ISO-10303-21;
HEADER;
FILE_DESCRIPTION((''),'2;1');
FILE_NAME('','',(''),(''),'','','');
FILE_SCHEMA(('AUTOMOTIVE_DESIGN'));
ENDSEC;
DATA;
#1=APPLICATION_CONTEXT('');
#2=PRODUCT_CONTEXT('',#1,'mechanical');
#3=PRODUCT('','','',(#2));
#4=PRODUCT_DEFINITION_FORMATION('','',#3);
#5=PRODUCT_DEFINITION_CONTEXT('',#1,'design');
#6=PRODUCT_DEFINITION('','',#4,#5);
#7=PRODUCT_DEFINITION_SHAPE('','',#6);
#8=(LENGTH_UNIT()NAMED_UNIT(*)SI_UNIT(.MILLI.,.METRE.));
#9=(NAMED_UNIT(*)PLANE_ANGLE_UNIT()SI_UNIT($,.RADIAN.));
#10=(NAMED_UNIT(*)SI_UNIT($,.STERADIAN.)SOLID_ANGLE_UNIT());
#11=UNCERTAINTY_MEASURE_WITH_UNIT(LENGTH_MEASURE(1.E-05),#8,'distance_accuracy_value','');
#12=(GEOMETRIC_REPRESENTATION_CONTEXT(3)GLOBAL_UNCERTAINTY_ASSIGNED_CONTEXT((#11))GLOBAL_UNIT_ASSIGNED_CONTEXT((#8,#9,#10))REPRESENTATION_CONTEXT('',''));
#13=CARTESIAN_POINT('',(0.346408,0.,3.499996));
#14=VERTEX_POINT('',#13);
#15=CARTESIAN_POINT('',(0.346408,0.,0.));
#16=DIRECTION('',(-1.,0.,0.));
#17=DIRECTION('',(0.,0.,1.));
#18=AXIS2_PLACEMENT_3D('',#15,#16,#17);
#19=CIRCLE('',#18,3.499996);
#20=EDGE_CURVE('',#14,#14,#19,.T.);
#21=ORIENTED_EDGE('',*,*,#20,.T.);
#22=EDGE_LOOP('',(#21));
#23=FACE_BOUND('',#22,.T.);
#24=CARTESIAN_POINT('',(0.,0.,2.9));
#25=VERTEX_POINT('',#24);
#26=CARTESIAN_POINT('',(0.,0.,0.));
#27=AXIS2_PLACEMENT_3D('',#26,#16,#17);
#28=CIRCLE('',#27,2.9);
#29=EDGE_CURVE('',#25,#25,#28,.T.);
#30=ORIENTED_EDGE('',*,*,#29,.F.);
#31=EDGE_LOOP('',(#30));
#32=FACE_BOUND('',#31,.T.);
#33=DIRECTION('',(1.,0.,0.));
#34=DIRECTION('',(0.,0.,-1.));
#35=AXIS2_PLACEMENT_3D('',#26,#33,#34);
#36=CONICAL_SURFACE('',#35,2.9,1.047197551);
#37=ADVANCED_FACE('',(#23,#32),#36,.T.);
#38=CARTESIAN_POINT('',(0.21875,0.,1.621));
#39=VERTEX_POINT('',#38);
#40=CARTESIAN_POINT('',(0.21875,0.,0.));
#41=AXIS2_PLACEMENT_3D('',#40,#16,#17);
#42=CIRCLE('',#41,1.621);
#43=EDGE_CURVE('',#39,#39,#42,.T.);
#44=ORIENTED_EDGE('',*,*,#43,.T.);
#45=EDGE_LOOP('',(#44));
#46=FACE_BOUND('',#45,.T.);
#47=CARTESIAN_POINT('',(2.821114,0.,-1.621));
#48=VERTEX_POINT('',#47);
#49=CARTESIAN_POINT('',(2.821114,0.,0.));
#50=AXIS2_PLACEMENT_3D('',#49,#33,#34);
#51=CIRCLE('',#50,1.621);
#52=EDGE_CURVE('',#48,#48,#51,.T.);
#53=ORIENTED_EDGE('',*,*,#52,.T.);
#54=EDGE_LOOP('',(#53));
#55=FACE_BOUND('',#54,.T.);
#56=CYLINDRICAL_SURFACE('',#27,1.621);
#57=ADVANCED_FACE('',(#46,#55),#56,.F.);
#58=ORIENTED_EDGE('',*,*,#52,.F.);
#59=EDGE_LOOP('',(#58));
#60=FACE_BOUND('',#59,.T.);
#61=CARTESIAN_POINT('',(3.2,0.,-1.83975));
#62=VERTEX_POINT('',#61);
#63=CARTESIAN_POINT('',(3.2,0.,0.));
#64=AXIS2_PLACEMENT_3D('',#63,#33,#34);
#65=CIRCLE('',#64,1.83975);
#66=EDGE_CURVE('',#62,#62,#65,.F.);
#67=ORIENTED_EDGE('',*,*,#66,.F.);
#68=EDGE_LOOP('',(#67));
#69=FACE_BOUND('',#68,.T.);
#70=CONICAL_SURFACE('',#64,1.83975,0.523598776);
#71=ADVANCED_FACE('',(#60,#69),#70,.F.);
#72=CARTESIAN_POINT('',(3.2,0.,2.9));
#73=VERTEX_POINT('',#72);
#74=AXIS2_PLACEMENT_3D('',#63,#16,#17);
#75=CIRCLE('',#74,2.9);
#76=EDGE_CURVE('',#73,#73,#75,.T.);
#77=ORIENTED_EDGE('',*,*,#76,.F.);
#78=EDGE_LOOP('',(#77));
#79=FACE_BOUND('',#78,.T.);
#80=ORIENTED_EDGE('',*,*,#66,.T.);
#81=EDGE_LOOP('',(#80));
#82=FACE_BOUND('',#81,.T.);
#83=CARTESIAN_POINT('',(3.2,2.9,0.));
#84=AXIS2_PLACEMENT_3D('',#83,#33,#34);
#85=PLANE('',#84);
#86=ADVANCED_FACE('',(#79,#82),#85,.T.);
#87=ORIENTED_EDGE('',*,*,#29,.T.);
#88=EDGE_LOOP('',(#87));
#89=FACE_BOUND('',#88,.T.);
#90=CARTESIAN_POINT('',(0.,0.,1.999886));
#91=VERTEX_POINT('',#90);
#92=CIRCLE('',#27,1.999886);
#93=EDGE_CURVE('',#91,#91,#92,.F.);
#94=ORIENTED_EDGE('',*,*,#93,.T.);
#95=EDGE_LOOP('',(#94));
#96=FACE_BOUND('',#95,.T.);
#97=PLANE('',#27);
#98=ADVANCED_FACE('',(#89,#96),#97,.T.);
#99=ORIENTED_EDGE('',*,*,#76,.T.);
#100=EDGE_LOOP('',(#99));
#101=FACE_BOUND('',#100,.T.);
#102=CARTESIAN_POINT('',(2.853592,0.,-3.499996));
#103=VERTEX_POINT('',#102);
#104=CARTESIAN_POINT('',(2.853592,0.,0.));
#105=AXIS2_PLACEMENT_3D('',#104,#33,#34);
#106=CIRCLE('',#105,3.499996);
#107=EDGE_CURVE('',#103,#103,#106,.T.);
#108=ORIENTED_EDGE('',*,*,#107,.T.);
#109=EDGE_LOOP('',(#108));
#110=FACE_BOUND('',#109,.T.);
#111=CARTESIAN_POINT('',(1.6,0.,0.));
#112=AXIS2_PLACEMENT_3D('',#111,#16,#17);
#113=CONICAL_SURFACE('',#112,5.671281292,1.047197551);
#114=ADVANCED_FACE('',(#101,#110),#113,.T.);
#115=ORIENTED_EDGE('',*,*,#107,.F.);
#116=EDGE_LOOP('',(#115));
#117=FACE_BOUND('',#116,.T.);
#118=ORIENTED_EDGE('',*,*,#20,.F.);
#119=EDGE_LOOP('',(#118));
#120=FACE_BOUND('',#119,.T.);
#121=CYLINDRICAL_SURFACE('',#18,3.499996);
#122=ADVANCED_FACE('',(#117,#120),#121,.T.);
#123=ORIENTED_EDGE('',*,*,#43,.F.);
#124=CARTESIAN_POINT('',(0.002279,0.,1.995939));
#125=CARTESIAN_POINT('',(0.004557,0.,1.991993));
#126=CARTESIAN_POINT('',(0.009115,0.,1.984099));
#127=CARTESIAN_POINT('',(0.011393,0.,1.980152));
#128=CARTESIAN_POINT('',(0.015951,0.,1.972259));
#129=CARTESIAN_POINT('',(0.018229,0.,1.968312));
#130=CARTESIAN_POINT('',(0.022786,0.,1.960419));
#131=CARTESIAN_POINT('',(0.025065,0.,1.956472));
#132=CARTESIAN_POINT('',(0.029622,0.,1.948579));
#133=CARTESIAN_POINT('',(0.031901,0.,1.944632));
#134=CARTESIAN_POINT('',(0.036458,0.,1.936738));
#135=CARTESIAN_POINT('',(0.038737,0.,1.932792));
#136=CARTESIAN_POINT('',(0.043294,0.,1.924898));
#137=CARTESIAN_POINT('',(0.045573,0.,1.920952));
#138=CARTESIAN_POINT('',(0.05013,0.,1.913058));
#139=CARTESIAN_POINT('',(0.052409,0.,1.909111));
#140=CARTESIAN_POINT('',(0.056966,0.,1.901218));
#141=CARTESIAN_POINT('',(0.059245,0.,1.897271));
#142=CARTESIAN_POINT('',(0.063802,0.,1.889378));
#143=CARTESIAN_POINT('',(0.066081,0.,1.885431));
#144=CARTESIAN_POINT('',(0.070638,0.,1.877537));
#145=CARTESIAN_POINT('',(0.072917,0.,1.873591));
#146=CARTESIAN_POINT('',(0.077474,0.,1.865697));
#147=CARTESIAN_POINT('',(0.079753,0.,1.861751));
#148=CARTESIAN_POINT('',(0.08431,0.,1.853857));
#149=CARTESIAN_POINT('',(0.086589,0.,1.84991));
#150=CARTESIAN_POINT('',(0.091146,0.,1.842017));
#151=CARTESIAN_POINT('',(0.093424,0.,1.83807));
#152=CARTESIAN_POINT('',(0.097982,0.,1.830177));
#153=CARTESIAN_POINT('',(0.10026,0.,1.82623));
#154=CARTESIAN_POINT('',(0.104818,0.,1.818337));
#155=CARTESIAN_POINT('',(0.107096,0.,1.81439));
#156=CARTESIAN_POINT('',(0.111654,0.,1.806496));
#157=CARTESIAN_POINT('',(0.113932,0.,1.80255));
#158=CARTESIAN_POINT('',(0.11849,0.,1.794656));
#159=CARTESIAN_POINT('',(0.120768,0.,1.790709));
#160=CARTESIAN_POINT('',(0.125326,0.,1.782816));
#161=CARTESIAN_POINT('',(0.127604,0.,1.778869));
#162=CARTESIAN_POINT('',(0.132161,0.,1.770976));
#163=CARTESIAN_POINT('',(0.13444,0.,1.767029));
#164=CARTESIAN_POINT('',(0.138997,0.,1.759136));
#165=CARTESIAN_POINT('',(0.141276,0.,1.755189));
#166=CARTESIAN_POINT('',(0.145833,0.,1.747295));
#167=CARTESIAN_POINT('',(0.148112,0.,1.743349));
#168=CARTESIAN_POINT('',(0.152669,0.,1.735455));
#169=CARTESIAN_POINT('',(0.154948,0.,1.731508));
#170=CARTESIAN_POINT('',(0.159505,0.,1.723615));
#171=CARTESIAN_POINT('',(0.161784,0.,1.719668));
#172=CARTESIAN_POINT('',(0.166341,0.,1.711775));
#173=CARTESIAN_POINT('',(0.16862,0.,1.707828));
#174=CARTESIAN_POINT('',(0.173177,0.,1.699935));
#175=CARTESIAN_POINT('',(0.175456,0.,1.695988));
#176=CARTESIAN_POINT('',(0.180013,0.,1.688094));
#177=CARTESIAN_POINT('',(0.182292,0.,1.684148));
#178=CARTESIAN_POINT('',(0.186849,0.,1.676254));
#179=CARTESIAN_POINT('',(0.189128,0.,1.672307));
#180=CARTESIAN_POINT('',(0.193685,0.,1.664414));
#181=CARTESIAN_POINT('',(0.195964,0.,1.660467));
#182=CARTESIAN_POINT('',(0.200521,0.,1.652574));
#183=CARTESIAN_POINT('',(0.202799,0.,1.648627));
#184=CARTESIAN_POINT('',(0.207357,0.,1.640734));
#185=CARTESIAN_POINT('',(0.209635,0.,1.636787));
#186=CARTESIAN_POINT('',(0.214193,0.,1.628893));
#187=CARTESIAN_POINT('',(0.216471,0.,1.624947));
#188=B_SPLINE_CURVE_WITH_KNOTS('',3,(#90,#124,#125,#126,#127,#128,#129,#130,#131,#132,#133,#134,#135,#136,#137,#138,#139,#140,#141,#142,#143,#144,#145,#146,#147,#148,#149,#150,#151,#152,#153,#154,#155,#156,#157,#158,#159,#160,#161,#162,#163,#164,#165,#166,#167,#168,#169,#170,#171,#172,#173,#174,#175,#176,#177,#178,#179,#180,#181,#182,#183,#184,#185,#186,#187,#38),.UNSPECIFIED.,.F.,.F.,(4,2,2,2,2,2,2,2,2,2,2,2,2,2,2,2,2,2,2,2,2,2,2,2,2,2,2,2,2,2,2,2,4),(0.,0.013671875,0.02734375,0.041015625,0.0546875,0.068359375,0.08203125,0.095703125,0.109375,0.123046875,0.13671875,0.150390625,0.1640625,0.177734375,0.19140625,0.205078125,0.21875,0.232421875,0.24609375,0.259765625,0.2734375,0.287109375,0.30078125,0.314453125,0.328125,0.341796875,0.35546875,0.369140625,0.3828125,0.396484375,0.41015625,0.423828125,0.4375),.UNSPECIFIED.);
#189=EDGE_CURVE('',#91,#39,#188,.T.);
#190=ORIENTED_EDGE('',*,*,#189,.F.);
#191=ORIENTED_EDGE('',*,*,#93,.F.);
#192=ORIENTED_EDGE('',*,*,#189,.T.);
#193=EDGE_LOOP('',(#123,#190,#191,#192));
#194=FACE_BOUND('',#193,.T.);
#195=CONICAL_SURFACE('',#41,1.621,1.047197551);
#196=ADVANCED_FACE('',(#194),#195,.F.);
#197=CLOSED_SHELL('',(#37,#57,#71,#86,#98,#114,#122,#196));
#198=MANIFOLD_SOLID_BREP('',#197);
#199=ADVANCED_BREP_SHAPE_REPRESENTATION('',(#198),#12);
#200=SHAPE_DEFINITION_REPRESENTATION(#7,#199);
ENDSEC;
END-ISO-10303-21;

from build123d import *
from OCP.BRepFilletAPI import BRepFilletAPI_MakeChamfer

# Parameters (mm, degrees)
M3_CLEARANCE_HOLE1_D = 3.242
CHAMFER1_SIZE        = 0.378886114
CHAMFER1_SIZE2       = 0.21875
CHAMFER2_SIZE        = 2.507183156
CHAMFER2_SIZE2       = 2.507184174


with BuildPart() as part:
    # Sketch1 → Revolve1 (revolve)
    with BuildSketch(Plane(origin=(0, 0, 0), x_dir=(-1, 0, 0), z_dir=(0, 0, -1)), mode=Mode.PRIVATE) as revolve1_sk:
        Polygon((-3.2, 2.9), (-3.2, 0), (0, 0), (0, 2.9), (-1.6, 5.671281292), align=None)
    revolve(revolve1_sk.sketch.rotate(Axis((3.2, 0, 0), (-1, 0, 0)), 270), axis=Axis((3.2, 0, 0), (-1, 0, 0)))

    # M3 Clearance Hole1 (through all)
    with Locations(Plane.ZY):
        with Locations((0, 0)):
            Hole(M3_CLEARANCE_HOLE1_D / 2)

    # Chamfer1: one chamfer whose edges measure the first distance from different faces: ONE call of the kernel's chamfer builder (chamfer() names one face for all edges)
    chamfer1_edges_1 = [part.edges().sort_by_distance(p)[0] for p in [
        (0, 0, 1.621),
    ]]
    chamfer1_side_1 = [part.faces().sort_by_distance(p)[0] for p in [
        (0, 0, -2.817975613),
    ]]
    chamfer1_edges_2 = [part.edges().sort_by_distance(p)[0] for p in [
        (3.2, 0, 1.621),
    ]]
    chamfer1_side_2 = [part.faces().sort_by_distance(p)[0] for p in [
        (1.6, 0, 1.621),
    ]]
    chamfer1 = BRepFilletAPI_MakeChamfer(part.part.solid().wrapped)
    for e in chamfer1_edges_1:
        chamfer1.Add(CHAMFER1_SIZE, CHAMFER1_SIZE2, e.wrapped, chamfer1_side_1[0].wrapped)  # the first distance lies on this face
    for e in chamfer1_edges_2:
        chamfer1.Add(CHAMFER1_SIZE, CHAMFER1_SIZE2, e.wrapped, chamfer1_side_2[0].wrapped)  # the first distance lies on this face
    add(Compound.cast(chamfer1.Shape()), mode=Mode.REPLACE)

    # Chamfer2
    chamfer2_edges = [part.edges().sort_by_distance(p)[0] for p in [
        (1.6, 0, -5.671281292),
    ]]
    chamfer2_side = [part.faces().sort_by_distance(p)[0] for p in [
        (2.4, 0, -4.285640646),
    ]]
    chamfer(chamfer2_edges, length=CHAMFER2_SIZE, length2=CHAMFER2_SIZE2, reference=chamfer2_side[0])


solid = part.part
